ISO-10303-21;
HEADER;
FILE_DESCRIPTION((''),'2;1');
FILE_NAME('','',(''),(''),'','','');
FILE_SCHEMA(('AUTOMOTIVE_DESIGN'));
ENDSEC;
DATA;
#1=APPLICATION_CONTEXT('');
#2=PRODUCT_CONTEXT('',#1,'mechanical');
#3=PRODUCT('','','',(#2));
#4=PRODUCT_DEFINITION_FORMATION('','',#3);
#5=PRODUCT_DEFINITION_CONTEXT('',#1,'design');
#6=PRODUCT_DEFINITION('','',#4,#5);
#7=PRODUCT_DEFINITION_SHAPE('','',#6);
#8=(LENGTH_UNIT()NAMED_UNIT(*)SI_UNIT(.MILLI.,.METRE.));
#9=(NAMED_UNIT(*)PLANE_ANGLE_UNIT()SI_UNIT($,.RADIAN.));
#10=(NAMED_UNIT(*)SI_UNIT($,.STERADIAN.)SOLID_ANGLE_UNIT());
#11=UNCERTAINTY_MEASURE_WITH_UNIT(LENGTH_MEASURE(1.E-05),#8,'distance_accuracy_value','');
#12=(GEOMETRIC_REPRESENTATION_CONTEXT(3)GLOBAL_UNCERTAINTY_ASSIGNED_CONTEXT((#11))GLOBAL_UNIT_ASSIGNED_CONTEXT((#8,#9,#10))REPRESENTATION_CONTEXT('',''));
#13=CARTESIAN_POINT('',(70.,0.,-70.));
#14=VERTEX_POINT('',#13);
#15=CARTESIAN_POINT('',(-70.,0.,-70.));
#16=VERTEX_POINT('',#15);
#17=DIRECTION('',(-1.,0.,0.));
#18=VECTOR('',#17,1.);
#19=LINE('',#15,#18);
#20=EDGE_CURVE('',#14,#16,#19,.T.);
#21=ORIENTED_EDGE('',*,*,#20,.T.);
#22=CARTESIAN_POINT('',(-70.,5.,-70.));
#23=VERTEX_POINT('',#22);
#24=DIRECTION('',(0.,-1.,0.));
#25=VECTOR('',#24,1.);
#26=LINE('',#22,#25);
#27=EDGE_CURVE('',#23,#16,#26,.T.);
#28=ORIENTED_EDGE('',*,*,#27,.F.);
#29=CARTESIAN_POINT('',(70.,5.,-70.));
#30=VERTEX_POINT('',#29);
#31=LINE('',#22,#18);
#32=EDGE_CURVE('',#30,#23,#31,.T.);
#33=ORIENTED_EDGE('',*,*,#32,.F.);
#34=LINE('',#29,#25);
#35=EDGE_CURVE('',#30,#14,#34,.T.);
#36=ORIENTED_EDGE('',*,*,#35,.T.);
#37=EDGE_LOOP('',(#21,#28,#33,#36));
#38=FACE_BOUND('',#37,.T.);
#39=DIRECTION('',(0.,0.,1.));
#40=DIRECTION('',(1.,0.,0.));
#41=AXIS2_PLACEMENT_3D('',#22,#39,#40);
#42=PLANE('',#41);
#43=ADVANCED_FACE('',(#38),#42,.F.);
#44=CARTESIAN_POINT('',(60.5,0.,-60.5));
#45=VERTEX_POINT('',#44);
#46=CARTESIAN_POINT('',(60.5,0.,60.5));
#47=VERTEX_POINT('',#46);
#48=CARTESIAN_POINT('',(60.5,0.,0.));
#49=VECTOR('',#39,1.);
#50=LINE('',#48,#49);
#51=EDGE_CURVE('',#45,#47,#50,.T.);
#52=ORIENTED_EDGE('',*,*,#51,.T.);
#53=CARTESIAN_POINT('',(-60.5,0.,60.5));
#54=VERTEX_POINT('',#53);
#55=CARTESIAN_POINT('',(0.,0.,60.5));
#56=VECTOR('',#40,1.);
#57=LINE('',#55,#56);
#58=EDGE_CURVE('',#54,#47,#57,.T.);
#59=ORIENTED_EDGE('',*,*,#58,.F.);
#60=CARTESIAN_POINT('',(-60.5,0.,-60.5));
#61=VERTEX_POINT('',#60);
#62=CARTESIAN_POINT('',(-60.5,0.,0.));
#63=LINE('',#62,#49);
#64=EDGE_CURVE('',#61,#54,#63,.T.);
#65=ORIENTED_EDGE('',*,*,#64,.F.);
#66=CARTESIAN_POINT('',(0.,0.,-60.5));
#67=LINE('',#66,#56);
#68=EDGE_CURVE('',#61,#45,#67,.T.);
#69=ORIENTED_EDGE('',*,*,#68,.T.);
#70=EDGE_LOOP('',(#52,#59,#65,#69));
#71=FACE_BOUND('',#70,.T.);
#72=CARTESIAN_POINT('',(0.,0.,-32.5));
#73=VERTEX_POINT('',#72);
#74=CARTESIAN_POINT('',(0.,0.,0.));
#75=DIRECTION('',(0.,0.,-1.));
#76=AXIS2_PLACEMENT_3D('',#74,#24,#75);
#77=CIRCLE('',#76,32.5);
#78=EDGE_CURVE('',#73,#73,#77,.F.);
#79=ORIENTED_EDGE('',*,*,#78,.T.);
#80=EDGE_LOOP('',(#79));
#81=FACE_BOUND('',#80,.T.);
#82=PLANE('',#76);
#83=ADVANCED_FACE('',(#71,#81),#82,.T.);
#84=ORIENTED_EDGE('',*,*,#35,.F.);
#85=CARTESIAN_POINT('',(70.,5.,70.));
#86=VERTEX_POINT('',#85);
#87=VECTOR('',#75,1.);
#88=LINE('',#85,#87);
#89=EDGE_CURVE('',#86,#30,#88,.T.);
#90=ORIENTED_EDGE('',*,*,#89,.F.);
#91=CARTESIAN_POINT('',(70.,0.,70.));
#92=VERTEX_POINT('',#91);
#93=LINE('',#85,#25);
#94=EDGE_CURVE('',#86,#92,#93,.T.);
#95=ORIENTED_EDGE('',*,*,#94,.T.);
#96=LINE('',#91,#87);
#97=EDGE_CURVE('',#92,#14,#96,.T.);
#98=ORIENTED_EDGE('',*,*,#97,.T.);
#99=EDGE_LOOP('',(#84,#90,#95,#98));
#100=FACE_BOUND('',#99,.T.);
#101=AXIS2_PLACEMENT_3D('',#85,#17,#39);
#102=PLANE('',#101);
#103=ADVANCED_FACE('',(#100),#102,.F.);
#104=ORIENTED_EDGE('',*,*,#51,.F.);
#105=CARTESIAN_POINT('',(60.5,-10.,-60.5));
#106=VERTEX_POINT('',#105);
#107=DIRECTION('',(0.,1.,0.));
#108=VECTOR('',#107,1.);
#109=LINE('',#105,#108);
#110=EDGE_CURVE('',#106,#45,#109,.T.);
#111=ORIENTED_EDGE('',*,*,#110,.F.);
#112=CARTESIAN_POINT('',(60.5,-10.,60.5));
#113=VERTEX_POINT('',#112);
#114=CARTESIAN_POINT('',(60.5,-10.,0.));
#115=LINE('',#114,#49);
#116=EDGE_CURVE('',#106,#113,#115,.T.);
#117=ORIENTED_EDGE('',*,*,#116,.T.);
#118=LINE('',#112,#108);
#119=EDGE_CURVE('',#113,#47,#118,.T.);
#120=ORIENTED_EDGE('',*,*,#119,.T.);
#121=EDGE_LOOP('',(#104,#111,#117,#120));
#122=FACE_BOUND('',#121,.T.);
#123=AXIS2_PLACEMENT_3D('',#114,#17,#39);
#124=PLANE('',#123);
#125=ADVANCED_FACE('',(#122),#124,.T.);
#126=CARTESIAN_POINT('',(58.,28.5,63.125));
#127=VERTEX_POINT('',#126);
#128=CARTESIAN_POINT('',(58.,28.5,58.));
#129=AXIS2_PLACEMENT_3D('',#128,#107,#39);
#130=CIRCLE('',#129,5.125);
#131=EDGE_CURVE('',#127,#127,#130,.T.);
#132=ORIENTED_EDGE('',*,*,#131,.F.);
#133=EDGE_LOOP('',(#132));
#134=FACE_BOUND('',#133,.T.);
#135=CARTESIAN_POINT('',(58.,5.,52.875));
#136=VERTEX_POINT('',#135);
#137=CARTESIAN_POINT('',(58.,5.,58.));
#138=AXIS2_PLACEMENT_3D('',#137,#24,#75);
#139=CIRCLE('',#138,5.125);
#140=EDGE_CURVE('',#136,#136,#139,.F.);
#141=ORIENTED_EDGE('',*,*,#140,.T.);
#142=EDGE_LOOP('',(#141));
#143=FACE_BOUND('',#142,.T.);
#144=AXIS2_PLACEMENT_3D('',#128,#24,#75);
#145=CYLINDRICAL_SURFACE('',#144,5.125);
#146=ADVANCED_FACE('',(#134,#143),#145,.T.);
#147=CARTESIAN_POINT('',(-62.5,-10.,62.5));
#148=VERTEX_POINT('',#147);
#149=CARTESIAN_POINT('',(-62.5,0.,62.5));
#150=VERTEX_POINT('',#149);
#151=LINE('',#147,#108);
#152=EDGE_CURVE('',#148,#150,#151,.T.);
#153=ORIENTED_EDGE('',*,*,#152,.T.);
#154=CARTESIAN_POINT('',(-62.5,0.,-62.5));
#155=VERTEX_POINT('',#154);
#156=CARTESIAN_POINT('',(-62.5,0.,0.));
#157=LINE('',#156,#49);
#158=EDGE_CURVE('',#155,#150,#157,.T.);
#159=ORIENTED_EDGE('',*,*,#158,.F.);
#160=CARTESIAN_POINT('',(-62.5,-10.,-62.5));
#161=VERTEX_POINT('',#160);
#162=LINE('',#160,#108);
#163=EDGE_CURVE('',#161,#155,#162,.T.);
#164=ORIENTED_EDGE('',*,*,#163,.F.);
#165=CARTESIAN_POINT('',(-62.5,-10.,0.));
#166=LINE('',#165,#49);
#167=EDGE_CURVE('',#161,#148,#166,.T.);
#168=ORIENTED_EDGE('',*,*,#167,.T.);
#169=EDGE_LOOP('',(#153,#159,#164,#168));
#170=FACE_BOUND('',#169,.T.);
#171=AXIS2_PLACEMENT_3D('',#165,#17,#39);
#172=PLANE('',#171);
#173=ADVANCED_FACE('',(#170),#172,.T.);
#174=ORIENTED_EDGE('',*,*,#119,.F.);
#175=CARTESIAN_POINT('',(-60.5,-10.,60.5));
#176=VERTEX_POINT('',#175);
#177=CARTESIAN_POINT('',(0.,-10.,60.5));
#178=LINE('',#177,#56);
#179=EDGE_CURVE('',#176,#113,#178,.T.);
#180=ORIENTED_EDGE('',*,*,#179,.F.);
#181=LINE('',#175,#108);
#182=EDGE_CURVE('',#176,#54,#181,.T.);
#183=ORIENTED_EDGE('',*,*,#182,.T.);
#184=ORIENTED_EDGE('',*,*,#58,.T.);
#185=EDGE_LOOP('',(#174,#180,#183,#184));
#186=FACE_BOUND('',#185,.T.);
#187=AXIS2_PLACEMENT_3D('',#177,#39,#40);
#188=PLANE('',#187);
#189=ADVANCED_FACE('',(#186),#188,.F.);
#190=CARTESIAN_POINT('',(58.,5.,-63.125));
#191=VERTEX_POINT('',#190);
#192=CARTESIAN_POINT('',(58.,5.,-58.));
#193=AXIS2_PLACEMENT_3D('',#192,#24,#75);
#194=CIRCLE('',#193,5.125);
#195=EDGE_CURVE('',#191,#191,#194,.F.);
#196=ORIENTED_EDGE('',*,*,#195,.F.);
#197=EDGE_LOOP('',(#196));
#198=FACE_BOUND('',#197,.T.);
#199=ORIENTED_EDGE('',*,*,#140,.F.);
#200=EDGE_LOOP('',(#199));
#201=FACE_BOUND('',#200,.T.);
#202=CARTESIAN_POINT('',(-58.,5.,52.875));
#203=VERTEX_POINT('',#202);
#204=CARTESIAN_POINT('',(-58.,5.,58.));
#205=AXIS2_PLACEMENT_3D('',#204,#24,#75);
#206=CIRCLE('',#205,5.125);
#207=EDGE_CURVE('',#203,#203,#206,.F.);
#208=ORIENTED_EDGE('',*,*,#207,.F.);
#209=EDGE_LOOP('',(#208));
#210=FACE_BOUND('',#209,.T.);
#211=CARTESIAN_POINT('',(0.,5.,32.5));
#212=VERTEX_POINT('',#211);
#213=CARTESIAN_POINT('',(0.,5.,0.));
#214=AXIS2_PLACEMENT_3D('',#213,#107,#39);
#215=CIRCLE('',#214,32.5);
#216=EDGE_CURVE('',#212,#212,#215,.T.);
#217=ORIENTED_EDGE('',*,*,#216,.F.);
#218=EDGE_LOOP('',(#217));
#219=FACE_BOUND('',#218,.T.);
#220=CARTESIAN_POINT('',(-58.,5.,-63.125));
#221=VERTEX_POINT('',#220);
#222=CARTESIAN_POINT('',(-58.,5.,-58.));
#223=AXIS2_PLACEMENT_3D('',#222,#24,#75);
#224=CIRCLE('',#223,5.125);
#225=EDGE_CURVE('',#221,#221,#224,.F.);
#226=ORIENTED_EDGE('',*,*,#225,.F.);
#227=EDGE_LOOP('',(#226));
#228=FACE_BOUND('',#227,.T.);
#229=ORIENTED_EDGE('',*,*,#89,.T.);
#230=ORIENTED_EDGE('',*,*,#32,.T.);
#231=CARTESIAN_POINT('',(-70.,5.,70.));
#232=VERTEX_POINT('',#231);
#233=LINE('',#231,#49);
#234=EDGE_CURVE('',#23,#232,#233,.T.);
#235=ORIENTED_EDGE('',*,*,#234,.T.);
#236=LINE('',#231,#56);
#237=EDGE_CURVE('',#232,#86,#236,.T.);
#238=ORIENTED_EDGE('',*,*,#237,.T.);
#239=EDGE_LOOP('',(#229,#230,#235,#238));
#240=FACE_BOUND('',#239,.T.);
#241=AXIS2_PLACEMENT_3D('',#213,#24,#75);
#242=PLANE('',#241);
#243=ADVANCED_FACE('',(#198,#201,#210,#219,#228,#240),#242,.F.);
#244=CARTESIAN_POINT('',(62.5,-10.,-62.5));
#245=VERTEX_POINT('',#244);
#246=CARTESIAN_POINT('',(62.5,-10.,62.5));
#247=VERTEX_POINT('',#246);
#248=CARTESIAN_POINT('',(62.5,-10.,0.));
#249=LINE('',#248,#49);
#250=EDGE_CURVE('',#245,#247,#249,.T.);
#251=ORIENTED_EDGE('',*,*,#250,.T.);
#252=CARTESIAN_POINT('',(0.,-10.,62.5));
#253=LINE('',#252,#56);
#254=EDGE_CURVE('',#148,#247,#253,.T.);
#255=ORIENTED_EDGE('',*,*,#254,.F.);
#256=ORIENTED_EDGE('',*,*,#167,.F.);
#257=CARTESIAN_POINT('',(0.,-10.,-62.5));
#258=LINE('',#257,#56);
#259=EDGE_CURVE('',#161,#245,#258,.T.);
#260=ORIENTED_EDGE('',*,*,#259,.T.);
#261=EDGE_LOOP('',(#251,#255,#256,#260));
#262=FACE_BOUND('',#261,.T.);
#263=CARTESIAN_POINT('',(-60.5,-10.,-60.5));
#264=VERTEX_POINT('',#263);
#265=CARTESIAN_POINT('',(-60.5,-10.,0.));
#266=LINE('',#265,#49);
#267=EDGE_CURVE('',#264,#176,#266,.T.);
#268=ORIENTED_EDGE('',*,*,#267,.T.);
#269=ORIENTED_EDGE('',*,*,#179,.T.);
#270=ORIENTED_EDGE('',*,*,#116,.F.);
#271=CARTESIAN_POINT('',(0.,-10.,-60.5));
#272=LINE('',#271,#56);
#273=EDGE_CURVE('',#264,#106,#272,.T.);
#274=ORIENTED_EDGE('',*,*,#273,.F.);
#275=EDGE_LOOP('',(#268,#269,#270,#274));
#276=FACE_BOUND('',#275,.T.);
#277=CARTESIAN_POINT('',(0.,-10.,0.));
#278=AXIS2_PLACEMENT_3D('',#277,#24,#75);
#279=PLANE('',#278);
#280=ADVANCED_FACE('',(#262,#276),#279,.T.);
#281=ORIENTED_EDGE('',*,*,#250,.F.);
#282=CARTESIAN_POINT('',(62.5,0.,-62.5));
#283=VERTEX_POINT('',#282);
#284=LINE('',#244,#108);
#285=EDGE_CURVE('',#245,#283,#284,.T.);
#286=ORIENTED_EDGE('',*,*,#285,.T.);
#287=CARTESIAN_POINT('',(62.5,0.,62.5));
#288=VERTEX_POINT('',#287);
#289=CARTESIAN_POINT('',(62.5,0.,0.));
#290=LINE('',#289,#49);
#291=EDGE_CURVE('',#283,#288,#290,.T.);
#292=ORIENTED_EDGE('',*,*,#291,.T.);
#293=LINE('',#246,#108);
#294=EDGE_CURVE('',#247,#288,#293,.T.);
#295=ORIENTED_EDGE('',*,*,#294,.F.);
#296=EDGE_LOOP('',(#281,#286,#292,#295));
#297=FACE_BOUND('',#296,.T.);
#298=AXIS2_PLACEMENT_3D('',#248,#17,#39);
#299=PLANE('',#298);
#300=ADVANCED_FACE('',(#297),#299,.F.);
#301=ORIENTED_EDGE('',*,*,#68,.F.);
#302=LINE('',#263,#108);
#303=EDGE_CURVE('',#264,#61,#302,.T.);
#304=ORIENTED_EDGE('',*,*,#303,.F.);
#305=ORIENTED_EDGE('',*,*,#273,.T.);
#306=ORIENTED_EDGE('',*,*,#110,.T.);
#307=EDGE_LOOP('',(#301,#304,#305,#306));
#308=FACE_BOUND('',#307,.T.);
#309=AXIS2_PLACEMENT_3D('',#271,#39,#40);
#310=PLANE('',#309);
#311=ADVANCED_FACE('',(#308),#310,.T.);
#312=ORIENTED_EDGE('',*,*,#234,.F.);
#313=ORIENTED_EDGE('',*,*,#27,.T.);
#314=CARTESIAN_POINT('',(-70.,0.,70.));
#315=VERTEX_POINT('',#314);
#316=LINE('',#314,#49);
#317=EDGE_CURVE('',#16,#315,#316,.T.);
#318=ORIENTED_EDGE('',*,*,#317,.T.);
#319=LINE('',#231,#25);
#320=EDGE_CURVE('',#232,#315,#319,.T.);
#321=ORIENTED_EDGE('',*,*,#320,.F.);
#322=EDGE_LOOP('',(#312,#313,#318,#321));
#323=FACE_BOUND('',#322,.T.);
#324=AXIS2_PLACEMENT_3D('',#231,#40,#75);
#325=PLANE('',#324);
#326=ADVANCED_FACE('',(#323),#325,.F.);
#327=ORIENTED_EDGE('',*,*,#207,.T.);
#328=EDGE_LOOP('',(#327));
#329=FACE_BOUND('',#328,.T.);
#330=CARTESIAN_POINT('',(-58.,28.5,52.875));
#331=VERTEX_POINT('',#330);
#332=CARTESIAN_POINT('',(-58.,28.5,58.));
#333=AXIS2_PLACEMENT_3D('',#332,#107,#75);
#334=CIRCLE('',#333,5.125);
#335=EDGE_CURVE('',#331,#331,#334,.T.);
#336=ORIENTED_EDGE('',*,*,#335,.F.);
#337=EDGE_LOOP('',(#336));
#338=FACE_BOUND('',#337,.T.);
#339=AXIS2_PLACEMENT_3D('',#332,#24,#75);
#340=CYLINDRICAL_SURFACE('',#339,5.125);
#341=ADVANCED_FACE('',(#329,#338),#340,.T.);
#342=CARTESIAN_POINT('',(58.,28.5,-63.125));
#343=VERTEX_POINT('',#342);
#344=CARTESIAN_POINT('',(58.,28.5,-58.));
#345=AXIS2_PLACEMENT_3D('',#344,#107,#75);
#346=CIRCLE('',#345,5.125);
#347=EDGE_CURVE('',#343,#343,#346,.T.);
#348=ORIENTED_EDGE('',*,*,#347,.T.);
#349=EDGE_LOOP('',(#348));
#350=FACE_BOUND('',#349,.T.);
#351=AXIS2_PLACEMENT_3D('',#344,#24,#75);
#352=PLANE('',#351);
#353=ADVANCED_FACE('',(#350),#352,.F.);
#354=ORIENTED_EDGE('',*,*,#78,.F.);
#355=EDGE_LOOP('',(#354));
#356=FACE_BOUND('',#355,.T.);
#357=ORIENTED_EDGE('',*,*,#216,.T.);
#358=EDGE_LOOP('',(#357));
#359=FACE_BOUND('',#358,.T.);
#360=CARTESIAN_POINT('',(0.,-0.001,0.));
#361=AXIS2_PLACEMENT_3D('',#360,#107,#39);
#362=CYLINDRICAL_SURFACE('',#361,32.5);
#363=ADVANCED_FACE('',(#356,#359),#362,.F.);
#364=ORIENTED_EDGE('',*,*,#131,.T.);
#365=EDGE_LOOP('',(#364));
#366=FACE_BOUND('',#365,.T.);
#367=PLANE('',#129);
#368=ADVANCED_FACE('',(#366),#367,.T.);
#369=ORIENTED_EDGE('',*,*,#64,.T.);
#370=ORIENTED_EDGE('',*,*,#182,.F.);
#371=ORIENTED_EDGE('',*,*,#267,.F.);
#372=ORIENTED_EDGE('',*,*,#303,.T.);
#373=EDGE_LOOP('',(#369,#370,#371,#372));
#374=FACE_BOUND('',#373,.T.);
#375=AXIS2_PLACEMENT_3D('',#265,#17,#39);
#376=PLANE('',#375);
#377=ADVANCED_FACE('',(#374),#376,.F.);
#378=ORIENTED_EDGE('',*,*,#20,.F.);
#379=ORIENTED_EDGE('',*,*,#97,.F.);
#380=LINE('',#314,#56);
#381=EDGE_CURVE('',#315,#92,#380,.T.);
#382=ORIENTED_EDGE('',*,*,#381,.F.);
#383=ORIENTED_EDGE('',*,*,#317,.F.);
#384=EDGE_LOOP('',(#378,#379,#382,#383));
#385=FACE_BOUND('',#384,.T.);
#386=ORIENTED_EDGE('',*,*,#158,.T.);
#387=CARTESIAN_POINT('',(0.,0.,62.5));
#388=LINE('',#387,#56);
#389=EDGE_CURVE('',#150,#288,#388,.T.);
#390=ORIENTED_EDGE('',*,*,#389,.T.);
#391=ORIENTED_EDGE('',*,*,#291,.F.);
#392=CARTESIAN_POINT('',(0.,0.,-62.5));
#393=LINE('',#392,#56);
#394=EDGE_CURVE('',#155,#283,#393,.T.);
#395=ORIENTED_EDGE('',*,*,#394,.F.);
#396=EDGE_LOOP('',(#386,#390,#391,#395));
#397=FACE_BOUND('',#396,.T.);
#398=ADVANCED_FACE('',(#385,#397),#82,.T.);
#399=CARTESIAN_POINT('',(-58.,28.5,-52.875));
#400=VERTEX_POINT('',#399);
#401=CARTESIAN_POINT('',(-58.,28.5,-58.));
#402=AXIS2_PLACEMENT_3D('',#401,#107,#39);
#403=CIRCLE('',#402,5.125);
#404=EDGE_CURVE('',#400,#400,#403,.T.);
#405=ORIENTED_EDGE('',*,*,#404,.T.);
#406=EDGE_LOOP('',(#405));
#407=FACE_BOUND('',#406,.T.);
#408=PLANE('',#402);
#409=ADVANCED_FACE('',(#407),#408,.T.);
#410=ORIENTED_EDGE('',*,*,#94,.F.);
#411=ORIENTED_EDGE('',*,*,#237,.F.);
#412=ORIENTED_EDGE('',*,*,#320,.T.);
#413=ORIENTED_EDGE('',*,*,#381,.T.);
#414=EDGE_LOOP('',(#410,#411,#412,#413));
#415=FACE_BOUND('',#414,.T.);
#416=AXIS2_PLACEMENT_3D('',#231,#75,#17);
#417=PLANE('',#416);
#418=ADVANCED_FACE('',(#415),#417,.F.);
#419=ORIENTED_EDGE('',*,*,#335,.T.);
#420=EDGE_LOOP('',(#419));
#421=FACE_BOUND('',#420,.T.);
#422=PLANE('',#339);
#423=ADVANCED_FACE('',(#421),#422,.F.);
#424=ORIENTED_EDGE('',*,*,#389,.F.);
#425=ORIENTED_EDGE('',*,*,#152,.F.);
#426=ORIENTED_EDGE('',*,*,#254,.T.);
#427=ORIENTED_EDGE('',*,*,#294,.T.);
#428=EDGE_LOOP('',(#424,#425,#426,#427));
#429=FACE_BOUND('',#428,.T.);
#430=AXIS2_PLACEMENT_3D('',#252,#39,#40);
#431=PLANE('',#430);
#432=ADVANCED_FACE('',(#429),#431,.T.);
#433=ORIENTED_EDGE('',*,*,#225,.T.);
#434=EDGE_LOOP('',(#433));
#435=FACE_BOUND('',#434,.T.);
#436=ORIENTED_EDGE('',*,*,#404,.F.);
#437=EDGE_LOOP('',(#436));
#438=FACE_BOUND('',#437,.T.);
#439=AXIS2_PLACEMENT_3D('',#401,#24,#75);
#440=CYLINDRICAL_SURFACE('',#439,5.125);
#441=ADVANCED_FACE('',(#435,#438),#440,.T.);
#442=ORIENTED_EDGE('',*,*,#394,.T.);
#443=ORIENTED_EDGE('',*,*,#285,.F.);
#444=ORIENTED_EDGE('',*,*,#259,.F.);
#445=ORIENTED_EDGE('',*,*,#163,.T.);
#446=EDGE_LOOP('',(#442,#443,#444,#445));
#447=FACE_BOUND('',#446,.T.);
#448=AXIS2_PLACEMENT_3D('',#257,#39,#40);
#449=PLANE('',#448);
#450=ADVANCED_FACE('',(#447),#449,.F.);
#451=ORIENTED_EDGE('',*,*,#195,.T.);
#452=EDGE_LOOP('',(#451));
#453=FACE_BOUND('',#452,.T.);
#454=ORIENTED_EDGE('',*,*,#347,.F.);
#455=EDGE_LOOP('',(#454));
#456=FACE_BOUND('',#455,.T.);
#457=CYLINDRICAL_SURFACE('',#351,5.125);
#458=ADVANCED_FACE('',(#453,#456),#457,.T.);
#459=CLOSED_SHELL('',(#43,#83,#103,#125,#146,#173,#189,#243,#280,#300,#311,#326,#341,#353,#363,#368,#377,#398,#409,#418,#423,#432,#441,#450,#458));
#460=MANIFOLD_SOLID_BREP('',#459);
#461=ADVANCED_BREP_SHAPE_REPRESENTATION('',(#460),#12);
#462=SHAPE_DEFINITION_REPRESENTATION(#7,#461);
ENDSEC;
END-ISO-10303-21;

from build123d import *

# Parameters (mm, degrees)
SKETCH1_W           = 140
SKETCH1_H           = 140
BOSS_EXTRUDE1_DEPTH = 5
CUT_EXTRUDE1_REACH  = 101.121
SKETCH3_R           = 32.5
SKETCH4_R           = 5.125
BOSS_EXTRUDE2_DEPTH = 23.5
SKETCH5_W           = 125
SKETCH5_H           = 125
SKETCH5_W_2         = 121
SKETCH5_H_2         = 121
BOSS_EXTRUDE3_DEPTH = 10


with BuildPart() as part:
    # Sketch1 → Boss-Extrude1 (new body)
    with BuildSketch(Plane(origin=(0, 0, 0), x_dir=(1, 0, 0), z_dir=(0, 1, 0))):
        Rectangle(SKETCH1_W, SKETCH1_H)
    extrude(amount=BOSS_EXTRUDE1_DEPTH)

    # Sketch3 → Cut-Extrude1 (cut, up to next)
    with BuildSketch(Plane(origin=(0, 5, 0), x_dir=(1, 0, 0), z_dir=(0, 1, 0)), mode=Mode.PRIVATE) as cut_extrude1_sk1:
        Circle(SKETCH3_R)
    cut_extrude1_tool1 = extrude(cut_extrude1_sk1.sketch, amount=-CUT_EXTRUDE1_REACH, mode=Mode.PRIVATE) & part.part
    add(cut_extrude1_tool1.solids().sort_by_distance((0, 5, 0))[0], mode=Mode.SUBTRACT)

    # Sketch4 → Boss-Extrude2 (add)
    with BuildSketch(Plane(origin=(0, 5, 0), x_dir=(1, 0, 0), z_dir=(0, 1, 0))):
        with Locations((-58, 58)):
            Circle(SKETCH4_R)
        with Locations((58, 58)):
            Circle(SKETCH4_R)
        with Locations((58, -58)):
            Circle(SKETCH4_R)
        with Locations((-58, -58)):
            Circle(SKETCH4_R)
    extrude(amount=BOSS_EXTRUDE2_DEPTH)

    # Sketch5 → Boss-Extrude3 (add)
    with BuildSketch(Plane.XZ):
        Rectangle(SKETCH5_W, SKETCH5_H)
        Rectangle(SKETCH5_W_2, SKETCH5_H_2, mode=Mode.SUBTRACT)
    extrude(amount=BOSS_EXTRUDE3_DEPTH)


solid = part.part
